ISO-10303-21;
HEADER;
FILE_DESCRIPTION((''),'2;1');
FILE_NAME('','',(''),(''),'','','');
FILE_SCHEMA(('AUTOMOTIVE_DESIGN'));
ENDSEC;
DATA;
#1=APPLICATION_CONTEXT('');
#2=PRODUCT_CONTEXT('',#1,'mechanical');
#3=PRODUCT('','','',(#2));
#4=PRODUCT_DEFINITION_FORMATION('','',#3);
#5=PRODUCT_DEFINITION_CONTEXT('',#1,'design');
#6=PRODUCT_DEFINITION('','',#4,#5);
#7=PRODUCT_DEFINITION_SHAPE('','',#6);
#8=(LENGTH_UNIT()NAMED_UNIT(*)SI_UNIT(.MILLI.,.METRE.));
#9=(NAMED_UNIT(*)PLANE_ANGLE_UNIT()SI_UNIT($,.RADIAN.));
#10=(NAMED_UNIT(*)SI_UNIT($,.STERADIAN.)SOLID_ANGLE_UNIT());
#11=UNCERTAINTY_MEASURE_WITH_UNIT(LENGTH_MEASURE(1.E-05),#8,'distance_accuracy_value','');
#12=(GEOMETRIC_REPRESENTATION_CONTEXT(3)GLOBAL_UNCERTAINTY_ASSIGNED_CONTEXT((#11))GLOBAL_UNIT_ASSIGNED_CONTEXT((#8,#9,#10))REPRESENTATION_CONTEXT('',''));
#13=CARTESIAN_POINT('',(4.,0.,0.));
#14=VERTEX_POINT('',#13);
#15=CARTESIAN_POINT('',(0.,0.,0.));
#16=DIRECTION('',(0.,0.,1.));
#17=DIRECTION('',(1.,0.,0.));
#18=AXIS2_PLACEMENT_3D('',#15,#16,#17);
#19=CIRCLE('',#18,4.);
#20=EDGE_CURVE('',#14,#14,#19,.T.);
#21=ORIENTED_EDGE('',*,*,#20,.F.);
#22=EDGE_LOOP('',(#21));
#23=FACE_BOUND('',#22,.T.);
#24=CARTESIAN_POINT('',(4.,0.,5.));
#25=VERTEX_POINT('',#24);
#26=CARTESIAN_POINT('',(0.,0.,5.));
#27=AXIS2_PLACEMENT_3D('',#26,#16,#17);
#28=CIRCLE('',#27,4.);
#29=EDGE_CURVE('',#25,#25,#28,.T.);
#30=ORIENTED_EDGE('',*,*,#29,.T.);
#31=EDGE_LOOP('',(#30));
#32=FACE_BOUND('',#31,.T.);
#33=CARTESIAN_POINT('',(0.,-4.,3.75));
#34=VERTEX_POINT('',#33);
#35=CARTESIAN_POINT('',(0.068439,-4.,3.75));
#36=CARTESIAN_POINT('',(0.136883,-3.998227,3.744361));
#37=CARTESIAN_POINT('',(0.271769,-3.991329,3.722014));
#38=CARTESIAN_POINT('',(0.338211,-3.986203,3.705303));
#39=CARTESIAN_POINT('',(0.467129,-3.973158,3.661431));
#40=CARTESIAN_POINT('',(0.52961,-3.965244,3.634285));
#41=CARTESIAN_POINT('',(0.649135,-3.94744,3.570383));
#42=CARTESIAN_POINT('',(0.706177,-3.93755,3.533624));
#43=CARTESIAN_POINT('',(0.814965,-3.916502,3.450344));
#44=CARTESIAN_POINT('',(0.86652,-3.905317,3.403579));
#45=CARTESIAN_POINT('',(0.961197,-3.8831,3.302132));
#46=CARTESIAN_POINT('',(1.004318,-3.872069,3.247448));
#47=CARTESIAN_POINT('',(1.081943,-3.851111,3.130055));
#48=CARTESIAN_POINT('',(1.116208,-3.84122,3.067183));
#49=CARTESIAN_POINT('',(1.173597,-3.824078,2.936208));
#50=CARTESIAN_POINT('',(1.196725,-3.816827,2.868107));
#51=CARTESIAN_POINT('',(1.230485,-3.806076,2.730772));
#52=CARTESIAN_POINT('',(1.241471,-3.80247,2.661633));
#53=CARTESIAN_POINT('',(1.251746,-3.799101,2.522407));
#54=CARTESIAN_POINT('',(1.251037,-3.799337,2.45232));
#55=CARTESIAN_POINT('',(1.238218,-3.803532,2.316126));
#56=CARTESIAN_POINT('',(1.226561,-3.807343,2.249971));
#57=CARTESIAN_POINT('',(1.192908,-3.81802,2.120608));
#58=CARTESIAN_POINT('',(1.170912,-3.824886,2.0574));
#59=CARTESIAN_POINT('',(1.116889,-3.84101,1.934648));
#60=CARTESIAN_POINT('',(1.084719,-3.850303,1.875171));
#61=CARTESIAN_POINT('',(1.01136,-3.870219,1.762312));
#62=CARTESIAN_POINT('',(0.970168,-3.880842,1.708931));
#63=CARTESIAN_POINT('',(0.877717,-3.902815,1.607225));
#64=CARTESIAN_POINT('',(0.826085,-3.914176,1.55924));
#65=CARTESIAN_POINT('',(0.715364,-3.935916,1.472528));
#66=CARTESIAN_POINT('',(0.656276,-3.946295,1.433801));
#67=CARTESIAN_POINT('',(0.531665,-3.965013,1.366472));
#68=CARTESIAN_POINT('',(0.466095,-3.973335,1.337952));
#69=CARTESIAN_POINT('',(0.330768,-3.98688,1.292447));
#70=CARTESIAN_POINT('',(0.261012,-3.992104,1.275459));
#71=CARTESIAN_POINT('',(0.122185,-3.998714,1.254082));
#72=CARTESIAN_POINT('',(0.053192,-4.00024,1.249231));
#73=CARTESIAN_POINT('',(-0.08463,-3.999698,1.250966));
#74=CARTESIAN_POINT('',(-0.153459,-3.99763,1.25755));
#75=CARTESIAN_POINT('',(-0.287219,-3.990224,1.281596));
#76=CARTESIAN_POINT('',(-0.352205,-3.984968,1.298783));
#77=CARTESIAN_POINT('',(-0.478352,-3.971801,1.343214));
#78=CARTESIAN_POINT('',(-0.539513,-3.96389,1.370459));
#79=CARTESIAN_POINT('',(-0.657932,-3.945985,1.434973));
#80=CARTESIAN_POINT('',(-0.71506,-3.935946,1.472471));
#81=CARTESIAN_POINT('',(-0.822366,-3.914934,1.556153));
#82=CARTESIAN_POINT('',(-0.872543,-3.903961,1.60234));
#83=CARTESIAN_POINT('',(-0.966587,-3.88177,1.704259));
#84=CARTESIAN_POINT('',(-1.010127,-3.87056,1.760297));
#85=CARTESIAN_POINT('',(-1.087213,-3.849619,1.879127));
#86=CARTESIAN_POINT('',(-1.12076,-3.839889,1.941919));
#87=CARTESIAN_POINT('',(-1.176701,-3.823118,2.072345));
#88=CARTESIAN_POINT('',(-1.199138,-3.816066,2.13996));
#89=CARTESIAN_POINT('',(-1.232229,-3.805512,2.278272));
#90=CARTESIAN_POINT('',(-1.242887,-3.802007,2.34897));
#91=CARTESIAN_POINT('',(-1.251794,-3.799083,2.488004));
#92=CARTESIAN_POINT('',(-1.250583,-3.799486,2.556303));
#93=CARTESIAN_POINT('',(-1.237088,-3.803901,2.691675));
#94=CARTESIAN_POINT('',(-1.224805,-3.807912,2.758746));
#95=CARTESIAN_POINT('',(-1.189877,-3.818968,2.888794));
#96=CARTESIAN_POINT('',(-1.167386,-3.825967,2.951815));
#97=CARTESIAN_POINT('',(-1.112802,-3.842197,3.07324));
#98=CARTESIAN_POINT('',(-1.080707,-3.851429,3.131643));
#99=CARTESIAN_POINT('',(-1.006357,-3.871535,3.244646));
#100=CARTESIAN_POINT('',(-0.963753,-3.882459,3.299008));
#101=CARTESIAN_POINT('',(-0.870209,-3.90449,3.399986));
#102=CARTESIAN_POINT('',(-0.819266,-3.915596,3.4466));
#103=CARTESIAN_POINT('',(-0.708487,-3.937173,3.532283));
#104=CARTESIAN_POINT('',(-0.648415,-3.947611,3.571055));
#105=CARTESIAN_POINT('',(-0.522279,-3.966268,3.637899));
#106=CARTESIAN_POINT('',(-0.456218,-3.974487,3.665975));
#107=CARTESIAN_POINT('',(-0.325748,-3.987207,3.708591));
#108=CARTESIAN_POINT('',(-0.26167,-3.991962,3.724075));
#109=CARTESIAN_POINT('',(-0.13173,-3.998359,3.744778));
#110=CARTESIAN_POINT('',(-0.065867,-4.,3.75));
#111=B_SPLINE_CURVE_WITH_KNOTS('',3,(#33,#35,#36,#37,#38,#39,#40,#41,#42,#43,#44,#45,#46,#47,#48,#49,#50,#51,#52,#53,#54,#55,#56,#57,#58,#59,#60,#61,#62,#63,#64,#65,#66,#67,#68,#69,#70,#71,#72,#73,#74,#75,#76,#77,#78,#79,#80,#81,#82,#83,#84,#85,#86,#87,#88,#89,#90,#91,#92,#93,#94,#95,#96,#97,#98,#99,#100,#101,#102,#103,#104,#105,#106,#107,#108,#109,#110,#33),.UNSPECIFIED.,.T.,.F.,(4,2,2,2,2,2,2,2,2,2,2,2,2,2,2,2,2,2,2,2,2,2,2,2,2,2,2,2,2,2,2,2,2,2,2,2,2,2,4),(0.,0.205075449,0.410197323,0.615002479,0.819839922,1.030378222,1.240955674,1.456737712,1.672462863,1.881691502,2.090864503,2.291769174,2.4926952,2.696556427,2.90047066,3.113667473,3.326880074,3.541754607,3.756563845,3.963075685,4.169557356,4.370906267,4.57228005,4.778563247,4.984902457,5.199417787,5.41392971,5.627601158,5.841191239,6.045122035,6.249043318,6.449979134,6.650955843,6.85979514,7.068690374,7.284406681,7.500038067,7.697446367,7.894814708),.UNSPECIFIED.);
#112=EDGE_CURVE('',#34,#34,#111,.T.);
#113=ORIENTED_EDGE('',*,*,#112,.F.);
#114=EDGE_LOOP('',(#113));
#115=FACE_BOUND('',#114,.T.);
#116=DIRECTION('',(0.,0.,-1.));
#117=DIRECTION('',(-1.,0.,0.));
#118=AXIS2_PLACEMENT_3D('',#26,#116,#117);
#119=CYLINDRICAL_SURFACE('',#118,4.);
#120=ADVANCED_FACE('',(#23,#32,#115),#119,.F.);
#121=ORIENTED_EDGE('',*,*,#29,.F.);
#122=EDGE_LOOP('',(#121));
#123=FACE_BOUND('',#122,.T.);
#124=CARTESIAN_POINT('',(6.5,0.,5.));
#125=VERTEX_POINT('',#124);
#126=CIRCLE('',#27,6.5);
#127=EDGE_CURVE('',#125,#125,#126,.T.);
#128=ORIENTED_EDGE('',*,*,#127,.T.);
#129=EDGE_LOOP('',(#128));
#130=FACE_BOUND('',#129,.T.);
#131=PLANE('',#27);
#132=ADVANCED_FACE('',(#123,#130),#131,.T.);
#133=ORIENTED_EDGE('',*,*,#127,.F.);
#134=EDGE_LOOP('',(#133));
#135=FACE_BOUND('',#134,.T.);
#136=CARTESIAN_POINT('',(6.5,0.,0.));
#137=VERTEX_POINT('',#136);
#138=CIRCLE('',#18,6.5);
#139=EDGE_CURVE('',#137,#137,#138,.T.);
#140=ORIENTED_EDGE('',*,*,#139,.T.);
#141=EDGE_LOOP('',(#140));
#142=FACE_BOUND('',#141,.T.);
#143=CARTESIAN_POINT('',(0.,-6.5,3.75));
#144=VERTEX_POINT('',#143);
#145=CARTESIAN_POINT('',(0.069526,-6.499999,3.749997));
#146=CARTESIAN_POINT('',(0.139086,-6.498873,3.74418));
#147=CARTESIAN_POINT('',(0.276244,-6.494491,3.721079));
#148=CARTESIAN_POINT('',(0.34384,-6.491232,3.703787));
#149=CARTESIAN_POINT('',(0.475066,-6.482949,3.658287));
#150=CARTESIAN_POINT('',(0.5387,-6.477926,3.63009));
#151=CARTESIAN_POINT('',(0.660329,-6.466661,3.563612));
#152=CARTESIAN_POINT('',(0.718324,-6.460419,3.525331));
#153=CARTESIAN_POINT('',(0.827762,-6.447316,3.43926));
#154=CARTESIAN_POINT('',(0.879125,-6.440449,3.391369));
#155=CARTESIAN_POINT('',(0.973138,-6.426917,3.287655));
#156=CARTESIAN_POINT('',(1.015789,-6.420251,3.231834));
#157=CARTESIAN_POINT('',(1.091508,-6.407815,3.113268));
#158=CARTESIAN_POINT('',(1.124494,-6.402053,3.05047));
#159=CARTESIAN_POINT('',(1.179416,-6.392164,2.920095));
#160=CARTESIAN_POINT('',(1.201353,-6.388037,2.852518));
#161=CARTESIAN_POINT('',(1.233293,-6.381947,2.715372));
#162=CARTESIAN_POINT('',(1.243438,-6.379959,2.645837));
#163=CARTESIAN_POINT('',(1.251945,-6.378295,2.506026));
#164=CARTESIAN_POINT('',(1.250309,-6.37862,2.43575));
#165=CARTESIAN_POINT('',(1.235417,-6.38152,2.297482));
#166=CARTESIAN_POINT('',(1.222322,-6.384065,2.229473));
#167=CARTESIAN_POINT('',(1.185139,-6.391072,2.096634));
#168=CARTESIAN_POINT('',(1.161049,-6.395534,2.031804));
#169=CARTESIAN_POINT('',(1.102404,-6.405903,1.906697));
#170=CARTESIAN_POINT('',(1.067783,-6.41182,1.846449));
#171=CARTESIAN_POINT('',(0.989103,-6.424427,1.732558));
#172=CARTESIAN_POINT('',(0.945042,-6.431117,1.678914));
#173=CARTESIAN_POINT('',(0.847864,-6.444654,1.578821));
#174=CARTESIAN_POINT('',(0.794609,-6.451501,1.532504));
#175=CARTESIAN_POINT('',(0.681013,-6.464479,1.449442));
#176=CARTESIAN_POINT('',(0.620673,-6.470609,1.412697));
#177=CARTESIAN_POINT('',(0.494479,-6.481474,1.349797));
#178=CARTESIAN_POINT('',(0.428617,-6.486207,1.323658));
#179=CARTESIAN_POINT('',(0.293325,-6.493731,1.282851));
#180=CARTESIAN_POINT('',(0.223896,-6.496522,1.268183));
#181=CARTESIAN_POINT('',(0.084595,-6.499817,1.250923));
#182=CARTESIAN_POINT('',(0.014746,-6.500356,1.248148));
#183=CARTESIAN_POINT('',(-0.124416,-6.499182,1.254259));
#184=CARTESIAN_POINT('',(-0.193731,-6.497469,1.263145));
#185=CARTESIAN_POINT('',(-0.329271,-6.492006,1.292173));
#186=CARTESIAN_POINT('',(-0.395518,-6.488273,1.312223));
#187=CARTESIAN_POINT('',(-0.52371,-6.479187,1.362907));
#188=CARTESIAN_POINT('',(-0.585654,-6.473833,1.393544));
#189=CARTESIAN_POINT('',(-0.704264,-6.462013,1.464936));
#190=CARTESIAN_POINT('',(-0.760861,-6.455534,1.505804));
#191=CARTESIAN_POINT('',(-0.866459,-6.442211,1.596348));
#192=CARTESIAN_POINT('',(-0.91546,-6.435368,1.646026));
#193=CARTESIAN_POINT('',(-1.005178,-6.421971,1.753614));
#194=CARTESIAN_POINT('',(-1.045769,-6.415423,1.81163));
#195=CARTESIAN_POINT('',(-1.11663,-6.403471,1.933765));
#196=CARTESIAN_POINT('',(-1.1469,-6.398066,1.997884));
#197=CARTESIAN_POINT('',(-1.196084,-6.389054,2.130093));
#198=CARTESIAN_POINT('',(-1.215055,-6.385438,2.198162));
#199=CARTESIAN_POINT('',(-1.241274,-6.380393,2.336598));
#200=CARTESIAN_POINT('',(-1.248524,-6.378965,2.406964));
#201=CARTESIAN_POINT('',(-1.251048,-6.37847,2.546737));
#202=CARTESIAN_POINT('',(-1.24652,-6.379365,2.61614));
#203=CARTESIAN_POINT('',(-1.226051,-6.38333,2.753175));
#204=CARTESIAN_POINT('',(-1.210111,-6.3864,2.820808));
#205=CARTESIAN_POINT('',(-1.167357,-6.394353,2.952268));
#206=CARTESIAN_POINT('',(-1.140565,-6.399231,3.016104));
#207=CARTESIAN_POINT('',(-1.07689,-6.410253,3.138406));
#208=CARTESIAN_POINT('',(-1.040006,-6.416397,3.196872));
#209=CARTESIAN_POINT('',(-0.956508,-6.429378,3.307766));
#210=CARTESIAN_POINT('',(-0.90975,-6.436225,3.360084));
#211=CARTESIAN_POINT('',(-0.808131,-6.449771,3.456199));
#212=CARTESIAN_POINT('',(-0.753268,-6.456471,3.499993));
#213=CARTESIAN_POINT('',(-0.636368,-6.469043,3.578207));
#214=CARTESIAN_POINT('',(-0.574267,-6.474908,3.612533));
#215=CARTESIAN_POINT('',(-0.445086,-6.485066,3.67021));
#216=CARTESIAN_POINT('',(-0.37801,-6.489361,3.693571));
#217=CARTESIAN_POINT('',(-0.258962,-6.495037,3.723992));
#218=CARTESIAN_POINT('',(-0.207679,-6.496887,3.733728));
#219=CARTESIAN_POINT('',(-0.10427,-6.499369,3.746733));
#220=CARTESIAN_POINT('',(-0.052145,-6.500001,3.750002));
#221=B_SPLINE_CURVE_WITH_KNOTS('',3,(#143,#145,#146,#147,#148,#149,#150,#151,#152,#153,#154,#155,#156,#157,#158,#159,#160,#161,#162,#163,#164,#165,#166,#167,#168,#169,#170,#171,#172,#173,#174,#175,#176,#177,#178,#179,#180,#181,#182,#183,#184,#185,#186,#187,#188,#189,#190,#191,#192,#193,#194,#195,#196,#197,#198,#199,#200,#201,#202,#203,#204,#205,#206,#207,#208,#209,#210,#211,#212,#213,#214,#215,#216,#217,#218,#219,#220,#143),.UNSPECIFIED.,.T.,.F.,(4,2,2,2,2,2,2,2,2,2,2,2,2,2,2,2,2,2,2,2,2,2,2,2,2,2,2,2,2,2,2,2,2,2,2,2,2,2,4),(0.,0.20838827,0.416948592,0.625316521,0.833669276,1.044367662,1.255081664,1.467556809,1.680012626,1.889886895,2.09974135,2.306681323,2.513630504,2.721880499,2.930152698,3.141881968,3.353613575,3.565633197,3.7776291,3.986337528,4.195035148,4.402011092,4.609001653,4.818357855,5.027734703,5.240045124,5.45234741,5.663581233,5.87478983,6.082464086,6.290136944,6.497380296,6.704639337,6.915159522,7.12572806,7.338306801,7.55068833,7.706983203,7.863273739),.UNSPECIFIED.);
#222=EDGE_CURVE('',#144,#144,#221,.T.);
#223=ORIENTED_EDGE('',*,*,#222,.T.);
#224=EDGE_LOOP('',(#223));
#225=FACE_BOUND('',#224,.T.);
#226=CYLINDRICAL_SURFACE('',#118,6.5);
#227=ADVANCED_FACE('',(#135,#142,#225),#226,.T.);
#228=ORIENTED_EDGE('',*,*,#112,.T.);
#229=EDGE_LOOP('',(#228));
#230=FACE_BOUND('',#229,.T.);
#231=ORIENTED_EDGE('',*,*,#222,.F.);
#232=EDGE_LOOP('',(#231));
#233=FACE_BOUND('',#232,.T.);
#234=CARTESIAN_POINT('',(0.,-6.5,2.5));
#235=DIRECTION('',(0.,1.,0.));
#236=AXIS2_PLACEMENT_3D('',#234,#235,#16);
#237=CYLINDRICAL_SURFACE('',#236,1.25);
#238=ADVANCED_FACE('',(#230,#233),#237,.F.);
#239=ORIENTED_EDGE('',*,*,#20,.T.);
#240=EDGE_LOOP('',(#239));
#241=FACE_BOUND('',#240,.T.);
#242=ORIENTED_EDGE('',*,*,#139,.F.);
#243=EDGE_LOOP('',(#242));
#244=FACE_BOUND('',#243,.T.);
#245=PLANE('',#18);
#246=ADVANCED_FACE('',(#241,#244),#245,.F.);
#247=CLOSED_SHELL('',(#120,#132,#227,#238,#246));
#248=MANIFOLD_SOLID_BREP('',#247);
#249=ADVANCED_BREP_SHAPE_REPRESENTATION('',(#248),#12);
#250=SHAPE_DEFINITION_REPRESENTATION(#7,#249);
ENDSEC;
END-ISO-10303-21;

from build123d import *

# Parameters (mm, degrees)
SKETCH1_R           = 6.5
SKETCH1_R_2         = 4
BOSS_EXTRUDE1_DEPTH = 5
SKETCH2_R           = 1.25
CUT_EXTRUDE1_DEPTH  = 11.464224768


with BuildPart() as part:
    # Sketch1 → Boss-Extrude1 (new body)
    with BuildSketch(Plane.XY):
        Circle(SKETCH1_R)
        Circle(SKETCH1_R_2, mode=Mode.SUBTRACT)
    extrude(amount=BOSS_EXTRUDE1_DEPTH)

    # Sketch2 → Cut-Extrude1 (cut, through all)
    with BuildSketch(Plane(origin=(0, 0, 0), x_dir=(1, 0, 0), z_dir=(0, 1, 0))):
        with Locations(Location((0, -2.5, 0), (0, 0, 270))):
            Circle(SKETCH2_R)
    extrude(amount=-CUT_EXTRUDE1_DEPTH, mode=Mode.SUBTRACT)


solid = part.part
